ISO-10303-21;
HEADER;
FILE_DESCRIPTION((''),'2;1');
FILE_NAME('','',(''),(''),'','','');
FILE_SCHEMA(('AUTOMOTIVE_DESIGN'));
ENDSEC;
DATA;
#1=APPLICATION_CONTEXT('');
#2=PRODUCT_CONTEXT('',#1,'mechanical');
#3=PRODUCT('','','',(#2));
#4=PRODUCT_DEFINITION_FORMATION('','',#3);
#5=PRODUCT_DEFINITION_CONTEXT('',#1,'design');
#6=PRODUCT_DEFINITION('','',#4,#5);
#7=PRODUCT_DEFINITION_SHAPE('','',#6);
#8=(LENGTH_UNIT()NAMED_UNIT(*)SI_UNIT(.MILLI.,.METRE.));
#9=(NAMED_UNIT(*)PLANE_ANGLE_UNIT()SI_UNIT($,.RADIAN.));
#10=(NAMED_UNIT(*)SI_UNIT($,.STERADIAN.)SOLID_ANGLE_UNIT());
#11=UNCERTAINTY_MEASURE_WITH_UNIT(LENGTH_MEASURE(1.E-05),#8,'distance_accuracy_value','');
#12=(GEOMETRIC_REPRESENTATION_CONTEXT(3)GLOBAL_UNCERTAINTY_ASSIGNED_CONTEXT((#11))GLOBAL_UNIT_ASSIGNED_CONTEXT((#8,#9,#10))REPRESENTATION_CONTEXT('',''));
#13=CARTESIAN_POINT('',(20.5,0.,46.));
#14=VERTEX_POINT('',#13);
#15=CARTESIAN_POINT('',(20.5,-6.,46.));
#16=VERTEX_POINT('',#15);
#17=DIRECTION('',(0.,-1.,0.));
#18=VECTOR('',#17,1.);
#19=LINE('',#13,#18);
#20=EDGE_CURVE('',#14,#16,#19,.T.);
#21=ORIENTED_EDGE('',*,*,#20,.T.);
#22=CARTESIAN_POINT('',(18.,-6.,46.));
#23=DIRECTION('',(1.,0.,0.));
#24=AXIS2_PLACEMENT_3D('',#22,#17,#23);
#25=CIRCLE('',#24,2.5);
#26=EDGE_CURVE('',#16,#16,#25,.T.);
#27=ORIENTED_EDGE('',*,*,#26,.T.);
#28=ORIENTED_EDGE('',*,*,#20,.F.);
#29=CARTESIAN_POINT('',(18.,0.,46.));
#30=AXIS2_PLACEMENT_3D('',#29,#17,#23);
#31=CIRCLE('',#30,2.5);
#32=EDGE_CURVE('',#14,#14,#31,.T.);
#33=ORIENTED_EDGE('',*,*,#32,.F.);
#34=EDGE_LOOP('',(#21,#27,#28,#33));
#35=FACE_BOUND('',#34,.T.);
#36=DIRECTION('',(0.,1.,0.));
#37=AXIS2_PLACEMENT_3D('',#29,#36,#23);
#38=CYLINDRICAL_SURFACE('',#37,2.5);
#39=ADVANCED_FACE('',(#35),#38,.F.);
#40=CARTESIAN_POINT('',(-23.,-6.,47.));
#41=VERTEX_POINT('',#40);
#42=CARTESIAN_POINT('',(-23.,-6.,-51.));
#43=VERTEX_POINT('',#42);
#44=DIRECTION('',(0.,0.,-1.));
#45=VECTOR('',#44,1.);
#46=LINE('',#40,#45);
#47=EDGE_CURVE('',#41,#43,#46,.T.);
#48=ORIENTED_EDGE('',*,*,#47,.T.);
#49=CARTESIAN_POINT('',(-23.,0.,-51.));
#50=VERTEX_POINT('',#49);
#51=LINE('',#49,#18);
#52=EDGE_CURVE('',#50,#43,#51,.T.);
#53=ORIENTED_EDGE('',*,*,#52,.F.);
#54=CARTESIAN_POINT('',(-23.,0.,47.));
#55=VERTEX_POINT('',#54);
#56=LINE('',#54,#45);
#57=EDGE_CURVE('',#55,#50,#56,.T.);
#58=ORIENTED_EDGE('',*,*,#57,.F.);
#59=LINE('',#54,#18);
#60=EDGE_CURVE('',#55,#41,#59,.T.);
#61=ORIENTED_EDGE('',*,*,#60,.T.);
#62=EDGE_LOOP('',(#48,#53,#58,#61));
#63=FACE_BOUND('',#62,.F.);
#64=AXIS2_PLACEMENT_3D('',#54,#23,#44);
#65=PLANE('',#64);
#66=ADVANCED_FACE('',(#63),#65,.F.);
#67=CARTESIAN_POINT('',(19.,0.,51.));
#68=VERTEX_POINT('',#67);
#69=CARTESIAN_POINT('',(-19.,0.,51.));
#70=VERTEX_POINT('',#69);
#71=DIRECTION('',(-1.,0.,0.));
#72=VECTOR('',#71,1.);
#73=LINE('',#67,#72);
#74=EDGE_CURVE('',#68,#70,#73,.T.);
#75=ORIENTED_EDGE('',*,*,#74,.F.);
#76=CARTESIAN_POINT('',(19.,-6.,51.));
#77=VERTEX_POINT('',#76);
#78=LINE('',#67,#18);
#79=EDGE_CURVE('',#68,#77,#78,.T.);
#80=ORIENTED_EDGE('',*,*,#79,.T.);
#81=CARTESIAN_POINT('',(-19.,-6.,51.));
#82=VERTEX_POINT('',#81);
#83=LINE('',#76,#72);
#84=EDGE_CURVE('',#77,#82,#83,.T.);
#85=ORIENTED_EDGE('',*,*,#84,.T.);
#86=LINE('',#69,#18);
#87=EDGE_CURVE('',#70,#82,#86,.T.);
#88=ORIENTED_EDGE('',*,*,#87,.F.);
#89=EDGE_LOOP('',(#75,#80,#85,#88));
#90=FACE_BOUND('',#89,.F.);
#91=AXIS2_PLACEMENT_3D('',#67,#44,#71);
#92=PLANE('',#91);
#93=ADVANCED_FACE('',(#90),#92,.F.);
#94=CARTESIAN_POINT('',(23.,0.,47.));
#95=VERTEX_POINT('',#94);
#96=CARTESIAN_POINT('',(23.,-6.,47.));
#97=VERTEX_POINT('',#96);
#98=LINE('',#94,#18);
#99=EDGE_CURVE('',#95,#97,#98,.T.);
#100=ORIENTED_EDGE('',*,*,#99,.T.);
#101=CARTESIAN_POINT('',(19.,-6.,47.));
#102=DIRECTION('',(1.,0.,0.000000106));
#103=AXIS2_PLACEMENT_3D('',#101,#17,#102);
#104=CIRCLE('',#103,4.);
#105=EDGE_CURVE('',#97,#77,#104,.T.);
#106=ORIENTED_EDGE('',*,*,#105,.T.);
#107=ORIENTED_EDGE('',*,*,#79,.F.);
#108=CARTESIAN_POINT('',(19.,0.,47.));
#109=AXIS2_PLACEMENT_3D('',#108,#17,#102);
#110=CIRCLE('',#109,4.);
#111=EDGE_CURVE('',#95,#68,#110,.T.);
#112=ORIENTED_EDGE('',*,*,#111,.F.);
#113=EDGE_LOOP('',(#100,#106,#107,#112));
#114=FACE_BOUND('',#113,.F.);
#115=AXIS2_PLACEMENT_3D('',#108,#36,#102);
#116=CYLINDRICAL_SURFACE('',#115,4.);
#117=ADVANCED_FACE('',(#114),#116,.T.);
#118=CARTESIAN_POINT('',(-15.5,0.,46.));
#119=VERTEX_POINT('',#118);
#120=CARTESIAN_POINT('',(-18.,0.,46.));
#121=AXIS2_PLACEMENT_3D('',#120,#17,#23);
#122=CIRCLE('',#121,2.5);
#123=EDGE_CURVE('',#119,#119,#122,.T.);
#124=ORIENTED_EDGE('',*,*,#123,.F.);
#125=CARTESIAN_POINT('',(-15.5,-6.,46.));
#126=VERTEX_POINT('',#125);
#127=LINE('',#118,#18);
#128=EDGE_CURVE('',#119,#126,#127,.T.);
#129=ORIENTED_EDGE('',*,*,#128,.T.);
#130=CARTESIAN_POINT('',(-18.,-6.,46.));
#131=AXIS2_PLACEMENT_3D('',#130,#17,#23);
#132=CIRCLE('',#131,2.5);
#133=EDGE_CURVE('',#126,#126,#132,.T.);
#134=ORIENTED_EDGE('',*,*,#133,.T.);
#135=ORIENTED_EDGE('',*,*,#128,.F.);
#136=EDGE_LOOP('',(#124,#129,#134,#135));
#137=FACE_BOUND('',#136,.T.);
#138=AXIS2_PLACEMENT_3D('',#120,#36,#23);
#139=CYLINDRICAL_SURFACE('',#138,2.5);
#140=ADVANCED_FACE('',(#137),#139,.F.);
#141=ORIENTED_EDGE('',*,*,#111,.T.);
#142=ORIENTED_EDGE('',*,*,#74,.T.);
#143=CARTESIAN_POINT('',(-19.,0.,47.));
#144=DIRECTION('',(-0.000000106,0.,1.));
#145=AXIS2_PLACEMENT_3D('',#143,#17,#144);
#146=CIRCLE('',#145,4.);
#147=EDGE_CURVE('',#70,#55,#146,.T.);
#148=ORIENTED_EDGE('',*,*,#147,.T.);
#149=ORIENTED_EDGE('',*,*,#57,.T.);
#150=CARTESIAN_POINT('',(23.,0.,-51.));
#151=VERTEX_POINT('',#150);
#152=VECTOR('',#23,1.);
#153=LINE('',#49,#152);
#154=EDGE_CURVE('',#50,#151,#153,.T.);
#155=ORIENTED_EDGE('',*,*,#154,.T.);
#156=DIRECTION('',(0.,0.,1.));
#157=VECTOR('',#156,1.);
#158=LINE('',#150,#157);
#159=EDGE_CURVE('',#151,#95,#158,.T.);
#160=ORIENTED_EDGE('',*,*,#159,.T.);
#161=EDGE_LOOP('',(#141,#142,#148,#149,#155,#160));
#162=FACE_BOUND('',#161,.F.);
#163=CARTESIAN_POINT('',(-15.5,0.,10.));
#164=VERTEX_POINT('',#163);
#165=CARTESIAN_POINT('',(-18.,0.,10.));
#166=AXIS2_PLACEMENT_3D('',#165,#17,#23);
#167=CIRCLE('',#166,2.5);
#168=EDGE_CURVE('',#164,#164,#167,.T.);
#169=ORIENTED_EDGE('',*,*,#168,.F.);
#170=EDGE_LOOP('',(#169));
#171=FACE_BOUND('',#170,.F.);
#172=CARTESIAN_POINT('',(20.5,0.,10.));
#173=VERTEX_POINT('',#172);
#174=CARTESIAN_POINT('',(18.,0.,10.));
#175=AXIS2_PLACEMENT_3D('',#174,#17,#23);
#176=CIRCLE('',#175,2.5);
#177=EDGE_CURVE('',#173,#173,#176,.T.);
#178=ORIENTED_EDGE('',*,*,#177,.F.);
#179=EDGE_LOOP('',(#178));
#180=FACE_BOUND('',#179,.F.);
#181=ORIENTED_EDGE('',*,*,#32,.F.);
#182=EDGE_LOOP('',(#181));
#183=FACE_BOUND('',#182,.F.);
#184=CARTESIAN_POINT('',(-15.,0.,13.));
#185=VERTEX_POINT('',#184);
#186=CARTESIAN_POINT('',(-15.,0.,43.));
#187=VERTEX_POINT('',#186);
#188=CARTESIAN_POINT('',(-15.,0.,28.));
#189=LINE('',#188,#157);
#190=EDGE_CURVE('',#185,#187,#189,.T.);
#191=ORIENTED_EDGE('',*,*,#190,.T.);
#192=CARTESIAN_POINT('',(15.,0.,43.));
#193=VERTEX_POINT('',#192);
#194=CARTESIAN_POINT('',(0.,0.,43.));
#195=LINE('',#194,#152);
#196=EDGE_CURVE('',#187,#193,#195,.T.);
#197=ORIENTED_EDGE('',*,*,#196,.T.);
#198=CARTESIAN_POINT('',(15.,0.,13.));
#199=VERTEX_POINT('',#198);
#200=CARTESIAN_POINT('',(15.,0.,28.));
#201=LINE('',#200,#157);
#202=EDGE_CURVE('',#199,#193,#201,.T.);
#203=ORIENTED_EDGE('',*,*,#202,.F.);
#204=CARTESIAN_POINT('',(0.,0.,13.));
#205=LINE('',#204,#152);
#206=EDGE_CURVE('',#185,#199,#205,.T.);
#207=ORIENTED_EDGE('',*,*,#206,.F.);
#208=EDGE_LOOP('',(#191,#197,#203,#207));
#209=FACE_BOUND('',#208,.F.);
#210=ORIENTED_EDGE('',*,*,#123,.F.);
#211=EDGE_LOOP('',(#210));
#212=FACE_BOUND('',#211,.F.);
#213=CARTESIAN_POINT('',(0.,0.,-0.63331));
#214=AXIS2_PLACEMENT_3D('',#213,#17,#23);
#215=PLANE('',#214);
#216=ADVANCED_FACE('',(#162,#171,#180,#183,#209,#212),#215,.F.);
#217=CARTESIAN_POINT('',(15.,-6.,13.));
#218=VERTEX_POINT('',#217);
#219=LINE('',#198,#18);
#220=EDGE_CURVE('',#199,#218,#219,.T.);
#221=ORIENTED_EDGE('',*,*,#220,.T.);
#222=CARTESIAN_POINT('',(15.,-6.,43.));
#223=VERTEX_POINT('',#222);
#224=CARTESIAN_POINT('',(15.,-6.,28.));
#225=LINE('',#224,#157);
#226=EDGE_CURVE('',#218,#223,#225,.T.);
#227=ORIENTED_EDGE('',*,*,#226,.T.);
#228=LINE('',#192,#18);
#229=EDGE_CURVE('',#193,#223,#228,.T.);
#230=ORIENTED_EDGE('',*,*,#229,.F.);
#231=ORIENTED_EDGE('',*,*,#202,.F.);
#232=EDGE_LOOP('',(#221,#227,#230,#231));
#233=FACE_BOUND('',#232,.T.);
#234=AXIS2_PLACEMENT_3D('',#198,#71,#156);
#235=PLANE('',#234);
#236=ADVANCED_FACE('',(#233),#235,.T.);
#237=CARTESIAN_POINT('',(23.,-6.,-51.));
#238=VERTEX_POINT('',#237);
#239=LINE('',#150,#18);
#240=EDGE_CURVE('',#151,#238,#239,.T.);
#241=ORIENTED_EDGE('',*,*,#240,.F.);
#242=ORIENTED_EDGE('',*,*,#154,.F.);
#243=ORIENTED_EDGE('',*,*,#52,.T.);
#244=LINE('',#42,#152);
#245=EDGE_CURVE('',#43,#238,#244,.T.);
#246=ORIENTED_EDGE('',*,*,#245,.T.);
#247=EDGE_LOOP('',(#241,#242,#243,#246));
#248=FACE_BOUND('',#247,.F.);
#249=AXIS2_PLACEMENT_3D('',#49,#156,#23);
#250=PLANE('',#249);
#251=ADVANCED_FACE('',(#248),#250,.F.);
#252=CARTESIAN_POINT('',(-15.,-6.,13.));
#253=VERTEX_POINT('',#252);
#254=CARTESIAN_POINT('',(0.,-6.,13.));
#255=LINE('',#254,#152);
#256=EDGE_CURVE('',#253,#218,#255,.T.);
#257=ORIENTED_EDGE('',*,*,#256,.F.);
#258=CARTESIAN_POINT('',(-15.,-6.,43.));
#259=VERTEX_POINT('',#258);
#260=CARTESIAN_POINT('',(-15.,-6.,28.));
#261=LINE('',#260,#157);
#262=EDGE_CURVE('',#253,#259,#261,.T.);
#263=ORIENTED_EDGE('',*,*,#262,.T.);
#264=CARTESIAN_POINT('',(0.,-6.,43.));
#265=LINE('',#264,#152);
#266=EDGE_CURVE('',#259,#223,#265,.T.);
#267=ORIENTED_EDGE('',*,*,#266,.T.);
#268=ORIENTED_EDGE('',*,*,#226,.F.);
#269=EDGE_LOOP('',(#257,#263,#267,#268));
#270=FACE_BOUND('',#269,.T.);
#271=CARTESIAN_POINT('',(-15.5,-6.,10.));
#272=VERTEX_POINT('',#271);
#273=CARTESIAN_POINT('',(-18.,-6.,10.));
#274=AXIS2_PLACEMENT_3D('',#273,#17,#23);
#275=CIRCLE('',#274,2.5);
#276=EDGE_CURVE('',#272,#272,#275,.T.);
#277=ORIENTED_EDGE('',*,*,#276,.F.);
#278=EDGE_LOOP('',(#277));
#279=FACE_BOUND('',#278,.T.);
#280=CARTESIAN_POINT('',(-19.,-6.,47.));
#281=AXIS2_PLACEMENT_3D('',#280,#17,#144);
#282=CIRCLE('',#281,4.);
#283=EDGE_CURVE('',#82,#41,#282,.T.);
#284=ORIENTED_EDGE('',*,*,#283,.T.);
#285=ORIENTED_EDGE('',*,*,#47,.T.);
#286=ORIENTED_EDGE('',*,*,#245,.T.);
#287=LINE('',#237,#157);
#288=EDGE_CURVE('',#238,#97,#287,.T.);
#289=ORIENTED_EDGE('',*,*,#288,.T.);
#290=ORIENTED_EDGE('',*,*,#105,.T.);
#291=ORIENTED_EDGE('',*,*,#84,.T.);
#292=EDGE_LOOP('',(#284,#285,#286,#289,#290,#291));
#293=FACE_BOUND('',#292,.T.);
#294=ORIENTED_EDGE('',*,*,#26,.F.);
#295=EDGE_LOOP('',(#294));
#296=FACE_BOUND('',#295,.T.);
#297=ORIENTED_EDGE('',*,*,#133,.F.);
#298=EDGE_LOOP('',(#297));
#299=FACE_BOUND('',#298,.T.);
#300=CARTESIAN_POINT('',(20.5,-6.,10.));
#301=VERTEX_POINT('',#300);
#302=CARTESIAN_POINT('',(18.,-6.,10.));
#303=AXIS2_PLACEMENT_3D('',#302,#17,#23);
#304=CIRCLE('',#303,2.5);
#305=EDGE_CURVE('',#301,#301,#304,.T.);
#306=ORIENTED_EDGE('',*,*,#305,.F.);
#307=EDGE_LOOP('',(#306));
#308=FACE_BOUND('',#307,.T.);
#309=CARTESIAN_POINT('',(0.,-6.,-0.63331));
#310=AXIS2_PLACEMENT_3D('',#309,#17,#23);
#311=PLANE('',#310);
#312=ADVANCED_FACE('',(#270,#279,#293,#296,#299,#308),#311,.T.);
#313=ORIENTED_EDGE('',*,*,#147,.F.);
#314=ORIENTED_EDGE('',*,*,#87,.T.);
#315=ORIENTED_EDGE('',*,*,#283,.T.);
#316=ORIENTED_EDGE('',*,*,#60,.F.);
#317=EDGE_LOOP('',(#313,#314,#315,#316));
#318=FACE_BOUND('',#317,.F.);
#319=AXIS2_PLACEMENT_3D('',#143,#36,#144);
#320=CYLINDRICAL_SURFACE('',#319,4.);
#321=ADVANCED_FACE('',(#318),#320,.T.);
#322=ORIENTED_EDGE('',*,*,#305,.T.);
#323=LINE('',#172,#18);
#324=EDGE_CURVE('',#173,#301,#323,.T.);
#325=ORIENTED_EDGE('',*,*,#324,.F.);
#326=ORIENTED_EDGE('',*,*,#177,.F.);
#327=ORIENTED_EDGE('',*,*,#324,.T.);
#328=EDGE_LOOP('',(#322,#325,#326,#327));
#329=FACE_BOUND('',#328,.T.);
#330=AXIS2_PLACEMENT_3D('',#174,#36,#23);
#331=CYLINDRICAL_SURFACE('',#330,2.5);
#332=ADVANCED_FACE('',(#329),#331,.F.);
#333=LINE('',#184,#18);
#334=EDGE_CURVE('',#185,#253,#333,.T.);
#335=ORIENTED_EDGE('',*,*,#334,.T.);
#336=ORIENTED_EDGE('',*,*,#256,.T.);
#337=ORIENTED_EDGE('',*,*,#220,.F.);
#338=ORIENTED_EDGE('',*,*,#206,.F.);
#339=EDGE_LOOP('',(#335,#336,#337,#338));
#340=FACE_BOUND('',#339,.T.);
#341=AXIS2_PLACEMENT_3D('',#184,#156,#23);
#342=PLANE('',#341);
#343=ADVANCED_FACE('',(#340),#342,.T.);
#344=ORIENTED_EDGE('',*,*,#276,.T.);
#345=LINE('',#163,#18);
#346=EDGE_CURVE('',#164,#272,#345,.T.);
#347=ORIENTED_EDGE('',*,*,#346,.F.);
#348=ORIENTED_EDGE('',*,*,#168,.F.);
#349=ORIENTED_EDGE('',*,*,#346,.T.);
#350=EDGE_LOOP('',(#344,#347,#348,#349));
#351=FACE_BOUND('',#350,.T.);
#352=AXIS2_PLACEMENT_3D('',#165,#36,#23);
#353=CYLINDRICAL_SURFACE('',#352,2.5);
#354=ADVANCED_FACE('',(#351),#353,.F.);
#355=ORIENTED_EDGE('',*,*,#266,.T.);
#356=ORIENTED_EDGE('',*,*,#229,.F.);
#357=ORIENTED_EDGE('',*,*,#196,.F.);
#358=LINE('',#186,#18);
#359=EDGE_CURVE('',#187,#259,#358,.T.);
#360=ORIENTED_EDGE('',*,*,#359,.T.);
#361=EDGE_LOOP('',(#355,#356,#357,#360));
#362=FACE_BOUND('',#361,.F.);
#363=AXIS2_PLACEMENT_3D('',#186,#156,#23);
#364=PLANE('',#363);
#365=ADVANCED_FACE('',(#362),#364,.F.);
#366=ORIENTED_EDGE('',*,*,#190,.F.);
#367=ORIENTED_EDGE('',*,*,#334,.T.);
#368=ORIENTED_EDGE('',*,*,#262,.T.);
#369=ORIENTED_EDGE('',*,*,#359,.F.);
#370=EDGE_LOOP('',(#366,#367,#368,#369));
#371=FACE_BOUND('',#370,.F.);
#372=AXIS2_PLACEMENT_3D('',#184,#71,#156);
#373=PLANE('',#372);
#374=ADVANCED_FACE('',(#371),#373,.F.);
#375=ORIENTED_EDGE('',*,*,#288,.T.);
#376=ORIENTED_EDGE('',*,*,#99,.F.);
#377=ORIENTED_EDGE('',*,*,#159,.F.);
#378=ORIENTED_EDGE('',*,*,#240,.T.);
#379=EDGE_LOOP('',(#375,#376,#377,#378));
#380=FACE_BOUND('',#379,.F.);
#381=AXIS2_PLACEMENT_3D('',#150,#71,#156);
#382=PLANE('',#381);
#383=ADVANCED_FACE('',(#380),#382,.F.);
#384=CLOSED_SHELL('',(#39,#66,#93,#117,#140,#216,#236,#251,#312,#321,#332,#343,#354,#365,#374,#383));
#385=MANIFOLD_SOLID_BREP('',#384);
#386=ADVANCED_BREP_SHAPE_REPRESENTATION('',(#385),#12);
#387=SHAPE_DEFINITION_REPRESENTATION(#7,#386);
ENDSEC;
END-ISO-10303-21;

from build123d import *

# Parameters (mm, degrees)
F0_R     = 2.5
F0_W     = 30
F0_H     = 30
F1_DEPTH = 6


with BuildPart() as f1:
    # F0 (on Front) → F1 (new body)
    with BuildSketch(Plane.XZ):
        with BuildLine():
            ThreePointArc((23, 47), (21.828427, 49.828427), (19, 51))
            Line((19, 51), (-19, 51))
            ThreePointArc((-19, 51), (-21.828427, 49.828427), (-23, 47))
            Line((-23, 47), (-23, -51))
            Line((-23, -51), (23, -51))
            Line((23, -51), (23, 47))
        make_face()
        with Locations((-18, 10)):
            Circle(F0_R, mode=Mode.SUBTRACT)
        with Locations((-18, 46)):
            Circle(F0_R, mode=Mode.SUBTRACT)
        with Locations((18, 10)):
            Circle(F0_R, mode=Mode.SUBTRACT)
        with Locations((0, 28)):
            Rectangle(F0_W, F0_H, mode=Mode.SUBTRACT)
        with Locations((18, 46)):
            Circle(F0_R, mode=Mode.SUBTRACT)
    extrude(amount=F1_DEPTH)


solid = f1.part
